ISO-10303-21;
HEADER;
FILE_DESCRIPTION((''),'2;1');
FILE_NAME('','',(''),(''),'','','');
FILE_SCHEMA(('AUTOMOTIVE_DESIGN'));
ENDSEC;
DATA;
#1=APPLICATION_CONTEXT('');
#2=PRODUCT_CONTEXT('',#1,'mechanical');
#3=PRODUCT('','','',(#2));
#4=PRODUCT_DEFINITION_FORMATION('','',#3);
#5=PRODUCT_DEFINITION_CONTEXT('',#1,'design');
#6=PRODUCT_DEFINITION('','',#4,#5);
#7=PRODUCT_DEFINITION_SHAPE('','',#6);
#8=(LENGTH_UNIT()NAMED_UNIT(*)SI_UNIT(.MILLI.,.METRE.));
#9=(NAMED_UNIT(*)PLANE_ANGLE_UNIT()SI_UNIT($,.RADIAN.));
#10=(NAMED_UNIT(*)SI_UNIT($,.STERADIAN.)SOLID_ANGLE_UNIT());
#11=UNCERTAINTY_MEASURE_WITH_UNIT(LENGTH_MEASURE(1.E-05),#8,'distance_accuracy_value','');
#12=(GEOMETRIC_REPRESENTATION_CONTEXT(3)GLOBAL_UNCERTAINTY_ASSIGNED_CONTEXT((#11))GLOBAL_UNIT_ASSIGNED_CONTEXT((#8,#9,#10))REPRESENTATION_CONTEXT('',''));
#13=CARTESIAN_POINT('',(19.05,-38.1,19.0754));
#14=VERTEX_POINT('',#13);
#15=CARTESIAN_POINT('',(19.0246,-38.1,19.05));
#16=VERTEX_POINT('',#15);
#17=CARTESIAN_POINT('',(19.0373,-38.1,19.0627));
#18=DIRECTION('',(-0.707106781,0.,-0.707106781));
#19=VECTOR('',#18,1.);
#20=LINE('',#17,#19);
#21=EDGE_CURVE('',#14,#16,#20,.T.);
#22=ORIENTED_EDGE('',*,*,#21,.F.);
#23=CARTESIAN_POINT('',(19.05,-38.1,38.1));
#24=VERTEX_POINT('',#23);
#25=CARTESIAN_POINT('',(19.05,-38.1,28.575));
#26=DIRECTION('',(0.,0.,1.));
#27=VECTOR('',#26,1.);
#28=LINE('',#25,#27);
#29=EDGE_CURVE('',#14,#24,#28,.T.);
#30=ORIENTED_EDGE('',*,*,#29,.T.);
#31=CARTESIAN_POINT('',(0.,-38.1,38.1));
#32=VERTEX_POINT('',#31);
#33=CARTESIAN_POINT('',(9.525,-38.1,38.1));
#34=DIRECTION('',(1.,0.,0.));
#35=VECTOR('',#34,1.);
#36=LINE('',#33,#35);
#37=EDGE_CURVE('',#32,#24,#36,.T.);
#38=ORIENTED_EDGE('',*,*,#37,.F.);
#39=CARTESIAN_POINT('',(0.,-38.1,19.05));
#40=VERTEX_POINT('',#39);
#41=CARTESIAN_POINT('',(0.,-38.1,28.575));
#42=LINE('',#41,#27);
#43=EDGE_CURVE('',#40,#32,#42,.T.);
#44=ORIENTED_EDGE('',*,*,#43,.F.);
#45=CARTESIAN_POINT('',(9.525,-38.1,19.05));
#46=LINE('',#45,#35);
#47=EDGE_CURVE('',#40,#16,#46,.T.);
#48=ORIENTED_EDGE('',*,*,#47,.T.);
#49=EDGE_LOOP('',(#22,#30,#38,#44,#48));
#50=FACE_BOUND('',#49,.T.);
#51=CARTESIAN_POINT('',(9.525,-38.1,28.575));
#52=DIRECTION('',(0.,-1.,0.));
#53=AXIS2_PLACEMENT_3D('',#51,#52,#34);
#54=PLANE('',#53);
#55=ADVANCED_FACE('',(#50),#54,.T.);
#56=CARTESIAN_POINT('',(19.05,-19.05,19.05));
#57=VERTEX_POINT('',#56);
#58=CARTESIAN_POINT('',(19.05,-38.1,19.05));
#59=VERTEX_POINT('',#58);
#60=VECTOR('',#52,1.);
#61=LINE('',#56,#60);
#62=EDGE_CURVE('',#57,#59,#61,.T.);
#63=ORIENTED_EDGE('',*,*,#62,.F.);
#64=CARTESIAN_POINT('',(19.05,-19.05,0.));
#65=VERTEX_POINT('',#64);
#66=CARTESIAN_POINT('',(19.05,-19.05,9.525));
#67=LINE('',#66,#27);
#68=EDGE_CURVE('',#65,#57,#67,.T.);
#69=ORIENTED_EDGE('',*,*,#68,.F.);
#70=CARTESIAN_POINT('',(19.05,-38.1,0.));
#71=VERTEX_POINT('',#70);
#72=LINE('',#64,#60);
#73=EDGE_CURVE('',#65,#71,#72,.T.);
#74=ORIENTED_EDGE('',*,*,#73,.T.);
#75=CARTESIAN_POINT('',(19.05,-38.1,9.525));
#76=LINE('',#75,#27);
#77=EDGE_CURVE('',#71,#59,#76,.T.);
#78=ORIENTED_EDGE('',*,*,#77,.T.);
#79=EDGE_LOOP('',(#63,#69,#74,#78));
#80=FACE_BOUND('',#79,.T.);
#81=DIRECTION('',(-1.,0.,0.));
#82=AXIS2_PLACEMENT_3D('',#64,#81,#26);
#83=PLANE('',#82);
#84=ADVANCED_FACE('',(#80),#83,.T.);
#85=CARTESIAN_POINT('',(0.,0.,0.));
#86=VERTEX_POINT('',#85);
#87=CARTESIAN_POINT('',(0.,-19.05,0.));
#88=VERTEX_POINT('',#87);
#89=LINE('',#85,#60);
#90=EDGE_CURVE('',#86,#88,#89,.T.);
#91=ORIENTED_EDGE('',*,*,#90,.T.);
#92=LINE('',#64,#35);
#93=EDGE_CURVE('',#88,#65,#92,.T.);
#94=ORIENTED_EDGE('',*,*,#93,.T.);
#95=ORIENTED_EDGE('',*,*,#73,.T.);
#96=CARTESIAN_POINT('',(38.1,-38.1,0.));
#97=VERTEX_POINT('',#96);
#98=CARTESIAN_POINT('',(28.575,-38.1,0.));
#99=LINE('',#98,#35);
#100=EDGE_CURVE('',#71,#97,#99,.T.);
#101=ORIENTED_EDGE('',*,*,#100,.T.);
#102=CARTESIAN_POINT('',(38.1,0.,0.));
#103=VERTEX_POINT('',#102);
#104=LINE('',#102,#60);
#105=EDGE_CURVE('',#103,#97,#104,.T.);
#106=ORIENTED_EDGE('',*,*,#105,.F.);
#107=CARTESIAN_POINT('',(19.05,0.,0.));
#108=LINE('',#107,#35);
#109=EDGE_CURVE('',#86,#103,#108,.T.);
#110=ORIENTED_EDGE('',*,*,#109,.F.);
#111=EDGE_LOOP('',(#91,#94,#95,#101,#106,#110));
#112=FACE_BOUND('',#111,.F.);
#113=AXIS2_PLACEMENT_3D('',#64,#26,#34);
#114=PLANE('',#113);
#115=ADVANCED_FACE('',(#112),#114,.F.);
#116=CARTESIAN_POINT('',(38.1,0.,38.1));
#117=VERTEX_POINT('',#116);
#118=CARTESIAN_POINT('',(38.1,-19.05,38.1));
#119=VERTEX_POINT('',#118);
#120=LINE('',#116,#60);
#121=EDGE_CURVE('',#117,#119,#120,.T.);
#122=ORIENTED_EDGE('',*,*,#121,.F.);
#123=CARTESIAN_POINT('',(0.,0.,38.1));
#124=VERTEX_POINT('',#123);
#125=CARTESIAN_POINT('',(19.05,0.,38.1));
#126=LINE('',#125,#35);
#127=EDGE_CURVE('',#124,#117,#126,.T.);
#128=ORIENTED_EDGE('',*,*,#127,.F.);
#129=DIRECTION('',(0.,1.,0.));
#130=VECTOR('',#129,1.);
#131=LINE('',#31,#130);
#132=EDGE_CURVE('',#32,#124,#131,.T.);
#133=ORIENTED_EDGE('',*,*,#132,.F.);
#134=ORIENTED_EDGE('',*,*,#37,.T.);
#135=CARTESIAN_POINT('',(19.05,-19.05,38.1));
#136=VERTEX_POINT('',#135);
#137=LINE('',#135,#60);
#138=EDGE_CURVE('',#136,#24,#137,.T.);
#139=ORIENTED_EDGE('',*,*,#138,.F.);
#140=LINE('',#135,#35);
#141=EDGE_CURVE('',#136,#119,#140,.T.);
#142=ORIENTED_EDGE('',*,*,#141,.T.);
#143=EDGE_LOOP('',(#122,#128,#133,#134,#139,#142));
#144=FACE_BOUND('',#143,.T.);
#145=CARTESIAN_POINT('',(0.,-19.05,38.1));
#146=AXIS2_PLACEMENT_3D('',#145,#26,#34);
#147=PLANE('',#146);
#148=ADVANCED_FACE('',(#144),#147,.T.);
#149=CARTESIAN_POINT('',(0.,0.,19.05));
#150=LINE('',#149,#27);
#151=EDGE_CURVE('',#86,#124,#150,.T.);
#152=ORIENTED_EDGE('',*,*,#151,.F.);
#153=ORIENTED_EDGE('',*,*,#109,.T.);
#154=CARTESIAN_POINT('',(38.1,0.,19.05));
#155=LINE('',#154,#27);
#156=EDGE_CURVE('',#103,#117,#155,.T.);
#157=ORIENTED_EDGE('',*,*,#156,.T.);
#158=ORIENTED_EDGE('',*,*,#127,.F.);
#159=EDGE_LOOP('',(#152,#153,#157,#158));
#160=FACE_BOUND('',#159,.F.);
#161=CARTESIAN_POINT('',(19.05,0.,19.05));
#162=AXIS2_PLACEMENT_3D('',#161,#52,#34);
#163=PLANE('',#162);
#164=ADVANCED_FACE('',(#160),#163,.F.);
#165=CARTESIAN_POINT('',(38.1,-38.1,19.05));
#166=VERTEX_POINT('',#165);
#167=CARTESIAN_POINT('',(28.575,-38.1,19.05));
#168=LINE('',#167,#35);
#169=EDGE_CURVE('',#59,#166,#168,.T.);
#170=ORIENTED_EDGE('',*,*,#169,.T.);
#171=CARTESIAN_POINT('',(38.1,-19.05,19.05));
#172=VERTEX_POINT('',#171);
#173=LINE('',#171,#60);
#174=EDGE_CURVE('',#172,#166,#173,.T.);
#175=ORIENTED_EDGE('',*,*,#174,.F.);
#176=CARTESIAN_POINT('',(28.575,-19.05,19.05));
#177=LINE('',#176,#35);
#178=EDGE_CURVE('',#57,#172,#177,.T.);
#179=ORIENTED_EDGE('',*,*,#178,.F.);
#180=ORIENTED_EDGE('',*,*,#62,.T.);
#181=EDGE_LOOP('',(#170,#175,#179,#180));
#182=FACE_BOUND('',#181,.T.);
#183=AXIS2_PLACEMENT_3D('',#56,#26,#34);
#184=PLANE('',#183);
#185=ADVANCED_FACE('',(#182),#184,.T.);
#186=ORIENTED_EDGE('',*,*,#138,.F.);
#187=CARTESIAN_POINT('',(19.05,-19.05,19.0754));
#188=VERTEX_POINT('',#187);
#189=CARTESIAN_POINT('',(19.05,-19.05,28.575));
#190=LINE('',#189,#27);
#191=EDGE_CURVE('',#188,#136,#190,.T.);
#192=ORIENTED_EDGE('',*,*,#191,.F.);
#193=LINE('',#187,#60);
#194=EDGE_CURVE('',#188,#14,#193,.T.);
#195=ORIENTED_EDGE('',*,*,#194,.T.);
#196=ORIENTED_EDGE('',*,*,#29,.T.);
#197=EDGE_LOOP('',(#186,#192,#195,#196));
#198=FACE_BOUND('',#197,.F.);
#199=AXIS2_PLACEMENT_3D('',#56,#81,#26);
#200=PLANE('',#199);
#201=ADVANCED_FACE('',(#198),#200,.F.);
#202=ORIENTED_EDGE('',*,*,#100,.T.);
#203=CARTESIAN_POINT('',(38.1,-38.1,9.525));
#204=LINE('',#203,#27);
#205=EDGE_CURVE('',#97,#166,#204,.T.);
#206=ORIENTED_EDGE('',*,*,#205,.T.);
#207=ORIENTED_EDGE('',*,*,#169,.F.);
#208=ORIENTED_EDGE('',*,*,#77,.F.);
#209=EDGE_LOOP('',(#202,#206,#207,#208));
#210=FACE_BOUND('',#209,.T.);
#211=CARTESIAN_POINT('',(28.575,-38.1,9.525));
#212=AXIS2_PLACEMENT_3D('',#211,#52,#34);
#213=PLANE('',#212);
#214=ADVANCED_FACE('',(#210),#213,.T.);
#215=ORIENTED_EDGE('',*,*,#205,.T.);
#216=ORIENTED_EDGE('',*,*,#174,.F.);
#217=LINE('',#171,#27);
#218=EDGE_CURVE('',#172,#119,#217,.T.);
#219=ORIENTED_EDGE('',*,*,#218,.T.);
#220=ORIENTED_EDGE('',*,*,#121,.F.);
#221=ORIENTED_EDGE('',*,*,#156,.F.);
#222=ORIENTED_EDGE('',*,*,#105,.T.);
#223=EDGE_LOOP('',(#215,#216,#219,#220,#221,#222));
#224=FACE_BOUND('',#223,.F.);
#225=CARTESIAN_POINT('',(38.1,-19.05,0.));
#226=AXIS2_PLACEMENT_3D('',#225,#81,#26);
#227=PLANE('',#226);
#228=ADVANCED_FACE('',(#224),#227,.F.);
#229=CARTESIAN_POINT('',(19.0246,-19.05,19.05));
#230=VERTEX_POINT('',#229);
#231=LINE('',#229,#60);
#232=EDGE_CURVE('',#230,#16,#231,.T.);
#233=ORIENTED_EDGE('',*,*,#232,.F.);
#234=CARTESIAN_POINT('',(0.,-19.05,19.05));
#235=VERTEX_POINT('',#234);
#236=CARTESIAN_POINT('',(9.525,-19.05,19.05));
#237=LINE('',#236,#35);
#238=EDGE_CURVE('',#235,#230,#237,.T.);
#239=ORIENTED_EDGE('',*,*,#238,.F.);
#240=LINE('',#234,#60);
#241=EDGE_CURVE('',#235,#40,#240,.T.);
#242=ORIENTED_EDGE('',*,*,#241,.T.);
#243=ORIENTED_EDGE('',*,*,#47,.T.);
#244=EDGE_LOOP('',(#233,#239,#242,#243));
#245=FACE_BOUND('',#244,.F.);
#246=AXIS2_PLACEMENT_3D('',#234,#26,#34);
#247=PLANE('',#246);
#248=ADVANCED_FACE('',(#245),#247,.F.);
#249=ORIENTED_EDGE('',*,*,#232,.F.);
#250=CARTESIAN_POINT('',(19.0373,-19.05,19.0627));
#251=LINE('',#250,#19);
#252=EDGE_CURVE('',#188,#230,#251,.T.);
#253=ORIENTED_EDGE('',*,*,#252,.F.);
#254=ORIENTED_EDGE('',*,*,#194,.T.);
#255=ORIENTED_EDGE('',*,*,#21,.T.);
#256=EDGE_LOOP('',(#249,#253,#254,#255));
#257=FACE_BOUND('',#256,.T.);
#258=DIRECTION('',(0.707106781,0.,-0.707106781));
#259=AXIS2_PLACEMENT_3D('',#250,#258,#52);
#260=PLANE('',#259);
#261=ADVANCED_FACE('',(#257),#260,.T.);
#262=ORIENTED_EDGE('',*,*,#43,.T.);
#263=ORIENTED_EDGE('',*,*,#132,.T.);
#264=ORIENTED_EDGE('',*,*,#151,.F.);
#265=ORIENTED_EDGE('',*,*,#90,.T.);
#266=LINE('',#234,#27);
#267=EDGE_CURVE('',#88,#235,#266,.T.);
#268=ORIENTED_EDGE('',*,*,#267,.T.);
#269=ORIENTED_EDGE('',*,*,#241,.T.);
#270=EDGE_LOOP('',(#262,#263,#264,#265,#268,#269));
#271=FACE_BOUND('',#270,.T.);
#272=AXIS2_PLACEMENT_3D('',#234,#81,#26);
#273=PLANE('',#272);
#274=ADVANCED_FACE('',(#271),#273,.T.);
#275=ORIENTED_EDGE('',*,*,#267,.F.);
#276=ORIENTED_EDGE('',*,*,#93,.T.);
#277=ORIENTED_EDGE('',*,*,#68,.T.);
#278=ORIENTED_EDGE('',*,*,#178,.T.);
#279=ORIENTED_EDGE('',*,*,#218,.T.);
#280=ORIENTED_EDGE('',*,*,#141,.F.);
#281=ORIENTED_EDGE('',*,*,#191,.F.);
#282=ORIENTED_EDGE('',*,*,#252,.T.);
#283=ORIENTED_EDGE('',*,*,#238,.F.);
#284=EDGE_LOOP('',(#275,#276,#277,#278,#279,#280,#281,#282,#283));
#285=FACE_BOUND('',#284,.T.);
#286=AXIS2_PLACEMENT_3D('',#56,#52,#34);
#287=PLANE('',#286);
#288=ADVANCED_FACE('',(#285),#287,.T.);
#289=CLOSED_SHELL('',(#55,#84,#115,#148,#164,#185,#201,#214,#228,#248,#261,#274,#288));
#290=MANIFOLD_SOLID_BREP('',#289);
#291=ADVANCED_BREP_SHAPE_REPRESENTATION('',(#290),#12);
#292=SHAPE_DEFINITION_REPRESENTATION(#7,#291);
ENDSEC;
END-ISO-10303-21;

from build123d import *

# Parameters (mm, degrees)
F0_W     = 38.1
F0_H     = 38.1
F1_DEPTH = 19.05
F2_W     = 19.05
F2_H     = 19.05
F3_DEPTH = 19.05
F5_SIZE  = 0.0254
F4_W     = 19.05
F4_H     = 19.05
F6_DEPTH = 19.05


with BuildPart() as f1:
    # F0 (on Front) → F1 (new body)
    with BuildSketch(Plane.XZ):
        with Locations((19.05, 19.05)):
            Rectangle(F0_W, F0_H)
    extrude(amount=F1_DEPTH)

    # F2 (on face) → F3 (join)
    with BuildSketch(Plane.XZ.offset(19.05)):
        with Locations((9.525, 28.575)):
            Rectangle(F2_W, F2_H)
    extrude(amount=F3_DEPTH)

    # F5
    f5_edges = [f1.edges().sort_by_distance(p)[0] for p in [
        (19.05, -28.575, 19.05),
    ]]
    chamfer(f5_edges, length=F5_SIZE)

    # F4 (on face) → F6 (join)
    with BuildSketch(Plane.XZ.offset(19.05)):
        with Locations((28.575, 9.525)):
            Rectangle(F4_W, F4_H)
    extrude(amount=F6_DEPTH)


solid = f1.part
